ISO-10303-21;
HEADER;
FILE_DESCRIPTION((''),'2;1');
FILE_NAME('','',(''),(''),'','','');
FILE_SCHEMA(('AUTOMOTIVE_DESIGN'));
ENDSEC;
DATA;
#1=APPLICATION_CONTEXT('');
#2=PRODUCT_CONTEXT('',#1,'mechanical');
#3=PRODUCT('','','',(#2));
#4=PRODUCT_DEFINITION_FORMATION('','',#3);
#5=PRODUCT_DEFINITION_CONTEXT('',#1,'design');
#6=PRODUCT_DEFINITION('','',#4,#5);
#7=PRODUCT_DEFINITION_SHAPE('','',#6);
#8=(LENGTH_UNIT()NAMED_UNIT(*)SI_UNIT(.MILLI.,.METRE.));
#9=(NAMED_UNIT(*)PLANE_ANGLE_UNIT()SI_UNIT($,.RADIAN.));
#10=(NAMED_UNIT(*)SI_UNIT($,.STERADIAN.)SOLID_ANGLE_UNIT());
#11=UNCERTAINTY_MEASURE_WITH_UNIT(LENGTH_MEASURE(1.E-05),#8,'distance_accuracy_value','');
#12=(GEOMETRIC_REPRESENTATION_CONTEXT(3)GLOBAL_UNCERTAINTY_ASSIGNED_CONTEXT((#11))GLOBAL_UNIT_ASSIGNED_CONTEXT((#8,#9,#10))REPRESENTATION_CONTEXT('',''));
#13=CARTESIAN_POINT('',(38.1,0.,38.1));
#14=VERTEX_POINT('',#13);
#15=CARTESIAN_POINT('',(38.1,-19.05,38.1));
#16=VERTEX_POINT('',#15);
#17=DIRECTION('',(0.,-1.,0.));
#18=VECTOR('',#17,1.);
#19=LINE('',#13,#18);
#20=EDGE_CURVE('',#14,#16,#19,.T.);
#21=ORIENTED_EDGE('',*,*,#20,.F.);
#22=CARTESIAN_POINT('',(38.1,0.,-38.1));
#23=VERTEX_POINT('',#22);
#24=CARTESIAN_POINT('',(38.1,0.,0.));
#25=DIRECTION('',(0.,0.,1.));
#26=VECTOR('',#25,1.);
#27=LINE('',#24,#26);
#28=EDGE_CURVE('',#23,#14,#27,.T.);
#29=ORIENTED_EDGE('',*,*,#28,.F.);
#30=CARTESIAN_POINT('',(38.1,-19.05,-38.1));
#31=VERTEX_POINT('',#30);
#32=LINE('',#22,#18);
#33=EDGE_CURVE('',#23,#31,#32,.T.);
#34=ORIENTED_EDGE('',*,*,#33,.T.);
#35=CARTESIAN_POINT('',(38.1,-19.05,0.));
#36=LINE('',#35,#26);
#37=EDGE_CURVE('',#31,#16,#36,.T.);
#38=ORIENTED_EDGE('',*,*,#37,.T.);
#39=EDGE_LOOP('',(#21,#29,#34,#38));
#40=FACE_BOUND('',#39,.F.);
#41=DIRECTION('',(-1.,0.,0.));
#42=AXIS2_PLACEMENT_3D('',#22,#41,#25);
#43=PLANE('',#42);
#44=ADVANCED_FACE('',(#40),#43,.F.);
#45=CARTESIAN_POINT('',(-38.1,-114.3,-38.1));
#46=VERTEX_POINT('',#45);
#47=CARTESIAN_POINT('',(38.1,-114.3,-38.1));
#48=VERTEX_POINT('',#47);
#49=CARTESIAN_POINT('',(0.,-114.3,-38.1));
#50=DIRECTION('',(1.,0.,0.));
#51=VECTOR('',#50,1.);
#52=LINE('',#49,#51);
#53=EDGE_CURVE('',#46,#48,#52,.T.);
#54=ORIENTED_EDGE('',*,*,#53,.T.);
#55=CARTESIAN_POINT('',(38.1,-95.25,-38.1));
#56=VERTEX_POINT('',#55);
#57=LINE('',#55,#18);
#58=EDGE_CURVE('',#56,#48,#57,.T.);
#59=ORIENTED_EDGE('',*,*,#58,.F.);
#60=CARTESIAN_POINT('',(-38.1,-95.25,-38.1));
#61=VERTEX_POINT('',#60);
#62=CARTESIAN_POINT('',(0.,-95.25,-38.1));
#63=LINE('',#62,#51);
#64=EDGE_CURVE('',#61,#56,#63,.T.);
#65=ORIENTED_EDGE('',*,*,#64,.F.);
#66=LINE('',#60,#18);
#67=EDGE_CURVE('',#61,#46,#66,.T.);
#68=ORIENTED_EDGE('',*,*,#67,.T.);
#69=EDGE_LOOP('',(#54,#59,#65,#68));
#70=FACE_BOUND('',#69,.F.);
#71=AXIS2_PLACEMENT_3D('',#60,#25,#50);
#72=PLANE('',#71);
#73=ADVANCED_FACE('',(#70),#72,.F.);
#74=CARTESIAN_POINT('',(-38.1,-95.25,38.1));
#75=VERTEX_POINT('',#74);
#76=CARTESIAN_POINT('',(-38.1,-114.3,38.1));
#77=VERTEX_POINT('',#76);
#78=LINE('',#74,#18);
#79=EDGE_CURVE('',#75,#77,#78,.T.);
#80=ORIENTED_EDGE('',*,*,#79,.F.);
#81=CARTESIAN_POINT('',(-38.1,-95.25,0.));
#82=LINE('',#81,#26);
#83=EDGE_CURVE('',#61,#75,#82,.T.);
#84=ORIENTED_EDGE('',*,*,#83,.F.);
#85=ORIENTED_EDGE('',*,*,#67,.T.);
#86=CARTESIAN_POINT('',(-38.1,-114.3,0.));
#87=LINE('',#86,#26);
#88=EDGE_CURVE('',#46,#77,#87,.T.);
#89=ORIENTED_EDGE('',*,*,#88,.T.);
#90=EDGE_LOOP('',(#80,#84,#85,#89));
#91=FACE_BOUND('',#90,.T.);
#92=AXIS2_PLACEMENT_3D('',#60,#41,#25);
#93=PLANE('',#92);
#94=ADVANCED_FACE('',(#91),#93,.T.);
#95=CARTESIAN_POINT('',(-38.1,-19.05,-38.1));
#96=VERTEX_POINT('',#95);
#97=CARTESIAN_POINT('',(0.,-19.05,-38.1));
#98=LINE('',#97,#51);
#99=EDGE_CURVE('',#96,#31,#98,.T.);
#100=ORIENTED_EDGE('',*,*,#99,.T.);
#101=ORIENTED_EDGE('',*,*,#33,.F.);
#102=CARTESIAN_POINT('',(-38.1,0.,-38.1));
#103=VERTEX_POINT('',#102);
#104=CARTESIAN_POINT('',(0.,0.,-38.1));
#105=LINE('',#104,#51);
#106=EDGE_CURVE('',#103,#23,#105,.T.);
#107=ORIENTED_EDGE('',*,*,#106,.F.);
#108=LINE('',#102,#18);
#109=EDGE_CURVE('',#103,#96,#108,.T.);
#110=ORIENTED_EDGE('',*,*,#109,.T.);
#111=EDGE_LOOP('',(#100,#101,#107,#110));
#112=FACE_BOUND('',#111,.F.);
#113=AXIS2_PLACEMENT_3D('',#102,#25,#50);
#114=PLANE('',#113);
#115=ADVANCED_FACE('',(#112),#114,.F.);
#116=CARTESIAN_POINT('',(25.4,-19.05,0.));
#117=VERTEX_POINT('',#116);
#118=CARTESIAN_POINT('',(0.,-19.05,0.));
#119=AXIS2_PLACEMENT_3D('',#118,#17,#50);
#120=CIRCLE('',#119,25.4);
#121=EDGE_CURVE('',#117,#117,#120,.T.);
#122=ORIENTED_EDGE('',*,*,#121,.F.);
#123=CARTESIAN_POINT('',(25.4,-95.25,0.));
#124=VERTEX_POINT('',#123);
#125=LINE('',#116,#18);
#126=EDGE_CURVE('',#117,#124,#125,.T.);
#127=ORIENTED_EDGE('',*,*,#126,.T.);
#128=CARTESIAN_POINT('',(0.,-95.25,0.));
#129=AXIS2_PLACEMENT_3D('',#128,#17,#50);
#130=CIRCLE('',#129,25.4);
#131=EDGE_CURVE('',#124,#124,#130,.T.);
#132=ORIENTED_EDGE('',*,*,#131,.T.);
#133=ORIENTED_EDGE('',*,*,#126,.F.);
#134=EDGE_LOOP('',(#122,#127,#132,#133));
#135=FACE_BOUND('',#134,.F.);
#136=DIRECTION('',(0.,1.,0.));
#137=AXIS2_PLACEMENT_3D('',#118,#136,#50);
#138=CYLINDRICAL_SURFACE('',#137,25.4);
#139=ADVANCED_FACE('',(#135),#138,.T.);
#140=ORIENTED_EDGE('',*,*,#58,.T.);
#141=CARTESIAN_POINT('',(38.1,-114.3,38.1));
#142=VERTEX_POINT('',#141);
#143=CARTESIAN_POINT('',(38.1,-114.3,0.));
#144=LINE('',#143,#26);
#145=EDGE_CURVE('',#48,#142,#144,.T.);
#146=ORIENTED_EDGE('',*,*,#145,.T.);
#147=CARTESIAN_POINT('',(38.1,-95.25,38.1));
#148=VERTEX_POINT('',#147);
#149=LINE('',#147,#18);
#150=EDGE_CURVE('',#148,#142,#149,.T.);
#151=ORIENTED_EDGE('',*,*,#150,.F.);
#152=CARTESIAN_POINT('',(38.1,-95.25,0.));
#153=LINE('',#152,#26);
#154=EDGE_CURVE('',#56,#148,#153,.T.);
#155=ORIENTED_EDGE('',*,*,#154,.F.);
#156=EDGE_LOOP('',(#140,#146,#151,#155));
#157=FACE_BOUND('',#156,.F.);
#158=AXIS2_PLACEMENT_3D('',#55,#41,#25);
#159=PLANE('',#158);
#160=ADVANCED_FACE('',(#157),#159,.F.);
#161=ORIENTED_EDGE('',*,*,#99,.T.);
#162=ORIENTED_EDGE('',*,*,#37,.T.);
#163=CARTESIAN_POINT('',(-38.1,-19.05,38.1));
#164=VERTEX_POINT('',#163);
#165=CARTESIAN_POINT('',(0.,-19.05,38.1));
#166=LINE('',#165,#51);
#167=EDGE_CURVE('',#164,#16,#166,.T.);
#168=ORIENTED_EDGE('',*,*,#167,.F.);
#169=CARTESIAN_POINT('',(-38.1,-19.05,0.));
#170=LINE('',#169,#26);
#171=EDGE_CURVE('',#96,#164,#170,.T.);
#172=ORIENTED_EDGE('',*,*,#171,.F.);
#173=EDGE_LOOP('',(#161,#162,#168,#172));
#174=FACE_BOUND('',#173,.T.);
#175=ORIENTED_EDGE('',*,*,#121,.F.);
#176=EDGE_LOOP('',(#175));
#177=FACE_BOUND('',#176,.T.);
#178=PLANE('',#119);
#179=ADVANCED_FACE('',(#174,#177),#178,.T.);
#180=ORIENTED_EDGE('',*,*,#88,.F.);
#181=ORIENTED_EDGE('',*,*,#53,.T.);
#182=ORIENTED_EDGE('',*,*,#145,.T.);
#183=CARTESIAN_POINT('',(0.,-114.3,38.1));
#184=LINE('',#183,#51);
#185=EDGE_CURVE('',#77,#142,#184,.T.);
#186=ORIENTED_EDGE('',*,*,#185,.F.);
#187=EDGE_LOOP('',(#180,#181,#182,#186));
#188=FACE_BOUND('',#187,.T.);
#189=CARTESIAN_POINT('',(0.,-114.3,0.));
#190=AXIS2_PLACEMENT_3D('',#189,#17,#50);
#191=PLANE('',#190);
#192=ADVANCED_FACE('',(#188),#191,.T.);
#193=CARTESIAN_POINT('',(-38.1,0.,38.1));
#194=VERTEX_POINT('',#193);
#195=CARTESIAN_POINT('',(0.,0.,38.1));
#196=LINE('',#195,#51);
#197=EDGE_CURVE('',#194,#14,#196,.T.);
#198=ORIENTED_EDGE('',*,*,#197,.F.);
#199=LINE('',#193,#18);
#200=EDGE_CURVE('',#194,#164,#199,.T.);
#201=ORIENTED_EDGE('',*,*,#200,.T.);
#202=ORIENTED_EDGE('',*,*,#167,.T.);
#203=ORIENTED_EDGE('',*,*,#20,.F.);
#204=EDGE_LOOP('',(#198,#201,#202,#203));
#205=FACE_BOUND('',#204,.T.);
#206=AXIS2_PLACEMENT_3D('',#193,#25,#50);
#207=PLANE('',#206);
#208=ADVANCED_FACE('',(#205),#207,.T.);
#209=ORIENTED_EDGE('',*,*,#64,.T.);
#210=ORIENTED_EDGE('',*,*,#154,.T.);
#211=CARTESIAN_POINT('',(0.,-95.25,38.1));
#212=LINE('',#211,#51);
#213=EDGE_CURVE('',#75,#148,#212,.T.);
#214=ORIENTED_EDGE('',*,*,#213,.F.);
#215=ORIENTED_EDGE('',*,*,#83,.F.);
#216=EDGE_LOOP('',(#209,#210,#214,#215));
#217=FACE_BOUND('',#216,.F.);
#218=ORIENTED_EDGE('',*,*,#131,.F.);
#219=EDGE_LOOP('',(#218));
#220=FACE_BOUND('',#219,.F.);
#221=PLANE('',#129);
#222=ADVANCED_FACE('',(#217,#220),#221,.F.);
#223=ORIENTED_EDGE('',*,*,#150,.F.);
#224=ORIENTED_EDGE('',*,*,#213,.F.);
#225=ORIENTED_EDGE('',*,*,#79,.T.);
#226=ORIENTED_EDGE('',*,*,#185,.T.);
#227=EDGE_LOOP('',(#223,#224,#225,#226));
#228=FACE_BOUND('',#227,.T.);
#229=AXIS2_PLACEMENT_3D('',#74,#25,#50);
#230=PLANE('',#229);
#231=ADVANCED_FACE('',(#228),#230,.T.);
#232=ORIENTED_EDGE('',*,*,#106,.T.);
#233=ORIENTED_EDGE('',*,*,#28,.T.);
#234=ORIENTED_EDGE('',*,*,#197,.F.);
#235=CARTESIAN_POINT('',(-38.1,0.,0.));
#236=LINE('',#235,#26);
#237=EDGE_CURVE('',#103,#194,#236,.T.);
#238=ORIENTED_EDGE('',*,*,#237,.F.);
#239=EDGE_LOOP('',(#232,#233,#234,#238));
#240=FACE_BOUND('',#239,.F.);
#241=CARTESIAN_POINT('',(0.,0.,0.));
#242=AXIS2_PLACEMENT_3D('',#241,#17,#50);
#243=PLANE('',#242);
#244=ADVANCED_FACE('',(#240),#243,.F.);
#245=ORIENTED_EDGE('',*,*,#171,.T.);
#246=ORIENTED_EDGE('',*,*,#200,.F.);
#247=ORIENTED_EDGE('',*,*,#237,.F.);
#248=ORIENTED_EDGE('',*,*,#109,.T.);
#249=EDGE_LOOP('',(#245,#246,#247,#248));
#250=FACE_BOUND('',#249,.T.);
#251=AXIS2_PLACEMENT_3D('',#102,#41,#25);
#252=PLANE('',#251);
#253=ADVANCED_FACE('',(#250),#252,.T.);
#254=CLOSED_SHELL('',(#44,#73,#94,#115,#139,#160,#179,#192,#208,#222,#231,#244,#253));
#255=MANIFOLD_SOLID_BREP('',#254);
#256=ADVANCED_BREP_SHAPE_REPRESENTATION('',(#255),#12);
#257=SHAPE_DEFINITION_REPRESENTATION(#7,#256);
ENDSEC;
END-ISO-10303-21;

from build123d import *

# Parameters (mm, degrees)
F0_W     = 76.2
F0_H     = 76.2
F1_DEPTH = 19.05
F2_R     = 25.4
F3_DEPTH = 76.2
F4_W     = 78.3899585484
F4_H     = 76.2
F4_R     = 25.4
F5_DEPTH = 19.05
F7_W     = 76.2
F7_H     = 76.2
F7_R     = 25.4
F8_DEPTH = 19.05


with BuildPart() as f1:
    # F0 (on Front) → F1 (new body)
    with BuildSketch(Plane.XZ):
        Rectangle(F0_W, F0_H)
    extrude(amount=F1_DEPTH)

    # F2 (on face) → F3 (join)
    with BuildSketch(Plane.XZ.offset(19.05)):
        Circle(F2_R)
    extrude(amount=F3_DEPTH)

    # F7 (on face) → F8 (join)
    with BuildSketch(Plane.XZ.offset(95.25)):
        Rectangle(F7_W, F7_H)
        Circle(F7_R, mode=Mode.SUBTRACT)
        Circle(F7_R)
    extrude(amount=F8_DEPTH)


with BuildPart() as f5:
    # F4 (on face) → F5 (new body)
    with BuildSketch(Plane.XZ.offset(95.25)):
        Rectangle(F4_W, F4_H)
        Circle(F4_R, mode=Mode.SUBTRACT)
    extrude(amount=F5_DEPTH)


solid = f1.part
